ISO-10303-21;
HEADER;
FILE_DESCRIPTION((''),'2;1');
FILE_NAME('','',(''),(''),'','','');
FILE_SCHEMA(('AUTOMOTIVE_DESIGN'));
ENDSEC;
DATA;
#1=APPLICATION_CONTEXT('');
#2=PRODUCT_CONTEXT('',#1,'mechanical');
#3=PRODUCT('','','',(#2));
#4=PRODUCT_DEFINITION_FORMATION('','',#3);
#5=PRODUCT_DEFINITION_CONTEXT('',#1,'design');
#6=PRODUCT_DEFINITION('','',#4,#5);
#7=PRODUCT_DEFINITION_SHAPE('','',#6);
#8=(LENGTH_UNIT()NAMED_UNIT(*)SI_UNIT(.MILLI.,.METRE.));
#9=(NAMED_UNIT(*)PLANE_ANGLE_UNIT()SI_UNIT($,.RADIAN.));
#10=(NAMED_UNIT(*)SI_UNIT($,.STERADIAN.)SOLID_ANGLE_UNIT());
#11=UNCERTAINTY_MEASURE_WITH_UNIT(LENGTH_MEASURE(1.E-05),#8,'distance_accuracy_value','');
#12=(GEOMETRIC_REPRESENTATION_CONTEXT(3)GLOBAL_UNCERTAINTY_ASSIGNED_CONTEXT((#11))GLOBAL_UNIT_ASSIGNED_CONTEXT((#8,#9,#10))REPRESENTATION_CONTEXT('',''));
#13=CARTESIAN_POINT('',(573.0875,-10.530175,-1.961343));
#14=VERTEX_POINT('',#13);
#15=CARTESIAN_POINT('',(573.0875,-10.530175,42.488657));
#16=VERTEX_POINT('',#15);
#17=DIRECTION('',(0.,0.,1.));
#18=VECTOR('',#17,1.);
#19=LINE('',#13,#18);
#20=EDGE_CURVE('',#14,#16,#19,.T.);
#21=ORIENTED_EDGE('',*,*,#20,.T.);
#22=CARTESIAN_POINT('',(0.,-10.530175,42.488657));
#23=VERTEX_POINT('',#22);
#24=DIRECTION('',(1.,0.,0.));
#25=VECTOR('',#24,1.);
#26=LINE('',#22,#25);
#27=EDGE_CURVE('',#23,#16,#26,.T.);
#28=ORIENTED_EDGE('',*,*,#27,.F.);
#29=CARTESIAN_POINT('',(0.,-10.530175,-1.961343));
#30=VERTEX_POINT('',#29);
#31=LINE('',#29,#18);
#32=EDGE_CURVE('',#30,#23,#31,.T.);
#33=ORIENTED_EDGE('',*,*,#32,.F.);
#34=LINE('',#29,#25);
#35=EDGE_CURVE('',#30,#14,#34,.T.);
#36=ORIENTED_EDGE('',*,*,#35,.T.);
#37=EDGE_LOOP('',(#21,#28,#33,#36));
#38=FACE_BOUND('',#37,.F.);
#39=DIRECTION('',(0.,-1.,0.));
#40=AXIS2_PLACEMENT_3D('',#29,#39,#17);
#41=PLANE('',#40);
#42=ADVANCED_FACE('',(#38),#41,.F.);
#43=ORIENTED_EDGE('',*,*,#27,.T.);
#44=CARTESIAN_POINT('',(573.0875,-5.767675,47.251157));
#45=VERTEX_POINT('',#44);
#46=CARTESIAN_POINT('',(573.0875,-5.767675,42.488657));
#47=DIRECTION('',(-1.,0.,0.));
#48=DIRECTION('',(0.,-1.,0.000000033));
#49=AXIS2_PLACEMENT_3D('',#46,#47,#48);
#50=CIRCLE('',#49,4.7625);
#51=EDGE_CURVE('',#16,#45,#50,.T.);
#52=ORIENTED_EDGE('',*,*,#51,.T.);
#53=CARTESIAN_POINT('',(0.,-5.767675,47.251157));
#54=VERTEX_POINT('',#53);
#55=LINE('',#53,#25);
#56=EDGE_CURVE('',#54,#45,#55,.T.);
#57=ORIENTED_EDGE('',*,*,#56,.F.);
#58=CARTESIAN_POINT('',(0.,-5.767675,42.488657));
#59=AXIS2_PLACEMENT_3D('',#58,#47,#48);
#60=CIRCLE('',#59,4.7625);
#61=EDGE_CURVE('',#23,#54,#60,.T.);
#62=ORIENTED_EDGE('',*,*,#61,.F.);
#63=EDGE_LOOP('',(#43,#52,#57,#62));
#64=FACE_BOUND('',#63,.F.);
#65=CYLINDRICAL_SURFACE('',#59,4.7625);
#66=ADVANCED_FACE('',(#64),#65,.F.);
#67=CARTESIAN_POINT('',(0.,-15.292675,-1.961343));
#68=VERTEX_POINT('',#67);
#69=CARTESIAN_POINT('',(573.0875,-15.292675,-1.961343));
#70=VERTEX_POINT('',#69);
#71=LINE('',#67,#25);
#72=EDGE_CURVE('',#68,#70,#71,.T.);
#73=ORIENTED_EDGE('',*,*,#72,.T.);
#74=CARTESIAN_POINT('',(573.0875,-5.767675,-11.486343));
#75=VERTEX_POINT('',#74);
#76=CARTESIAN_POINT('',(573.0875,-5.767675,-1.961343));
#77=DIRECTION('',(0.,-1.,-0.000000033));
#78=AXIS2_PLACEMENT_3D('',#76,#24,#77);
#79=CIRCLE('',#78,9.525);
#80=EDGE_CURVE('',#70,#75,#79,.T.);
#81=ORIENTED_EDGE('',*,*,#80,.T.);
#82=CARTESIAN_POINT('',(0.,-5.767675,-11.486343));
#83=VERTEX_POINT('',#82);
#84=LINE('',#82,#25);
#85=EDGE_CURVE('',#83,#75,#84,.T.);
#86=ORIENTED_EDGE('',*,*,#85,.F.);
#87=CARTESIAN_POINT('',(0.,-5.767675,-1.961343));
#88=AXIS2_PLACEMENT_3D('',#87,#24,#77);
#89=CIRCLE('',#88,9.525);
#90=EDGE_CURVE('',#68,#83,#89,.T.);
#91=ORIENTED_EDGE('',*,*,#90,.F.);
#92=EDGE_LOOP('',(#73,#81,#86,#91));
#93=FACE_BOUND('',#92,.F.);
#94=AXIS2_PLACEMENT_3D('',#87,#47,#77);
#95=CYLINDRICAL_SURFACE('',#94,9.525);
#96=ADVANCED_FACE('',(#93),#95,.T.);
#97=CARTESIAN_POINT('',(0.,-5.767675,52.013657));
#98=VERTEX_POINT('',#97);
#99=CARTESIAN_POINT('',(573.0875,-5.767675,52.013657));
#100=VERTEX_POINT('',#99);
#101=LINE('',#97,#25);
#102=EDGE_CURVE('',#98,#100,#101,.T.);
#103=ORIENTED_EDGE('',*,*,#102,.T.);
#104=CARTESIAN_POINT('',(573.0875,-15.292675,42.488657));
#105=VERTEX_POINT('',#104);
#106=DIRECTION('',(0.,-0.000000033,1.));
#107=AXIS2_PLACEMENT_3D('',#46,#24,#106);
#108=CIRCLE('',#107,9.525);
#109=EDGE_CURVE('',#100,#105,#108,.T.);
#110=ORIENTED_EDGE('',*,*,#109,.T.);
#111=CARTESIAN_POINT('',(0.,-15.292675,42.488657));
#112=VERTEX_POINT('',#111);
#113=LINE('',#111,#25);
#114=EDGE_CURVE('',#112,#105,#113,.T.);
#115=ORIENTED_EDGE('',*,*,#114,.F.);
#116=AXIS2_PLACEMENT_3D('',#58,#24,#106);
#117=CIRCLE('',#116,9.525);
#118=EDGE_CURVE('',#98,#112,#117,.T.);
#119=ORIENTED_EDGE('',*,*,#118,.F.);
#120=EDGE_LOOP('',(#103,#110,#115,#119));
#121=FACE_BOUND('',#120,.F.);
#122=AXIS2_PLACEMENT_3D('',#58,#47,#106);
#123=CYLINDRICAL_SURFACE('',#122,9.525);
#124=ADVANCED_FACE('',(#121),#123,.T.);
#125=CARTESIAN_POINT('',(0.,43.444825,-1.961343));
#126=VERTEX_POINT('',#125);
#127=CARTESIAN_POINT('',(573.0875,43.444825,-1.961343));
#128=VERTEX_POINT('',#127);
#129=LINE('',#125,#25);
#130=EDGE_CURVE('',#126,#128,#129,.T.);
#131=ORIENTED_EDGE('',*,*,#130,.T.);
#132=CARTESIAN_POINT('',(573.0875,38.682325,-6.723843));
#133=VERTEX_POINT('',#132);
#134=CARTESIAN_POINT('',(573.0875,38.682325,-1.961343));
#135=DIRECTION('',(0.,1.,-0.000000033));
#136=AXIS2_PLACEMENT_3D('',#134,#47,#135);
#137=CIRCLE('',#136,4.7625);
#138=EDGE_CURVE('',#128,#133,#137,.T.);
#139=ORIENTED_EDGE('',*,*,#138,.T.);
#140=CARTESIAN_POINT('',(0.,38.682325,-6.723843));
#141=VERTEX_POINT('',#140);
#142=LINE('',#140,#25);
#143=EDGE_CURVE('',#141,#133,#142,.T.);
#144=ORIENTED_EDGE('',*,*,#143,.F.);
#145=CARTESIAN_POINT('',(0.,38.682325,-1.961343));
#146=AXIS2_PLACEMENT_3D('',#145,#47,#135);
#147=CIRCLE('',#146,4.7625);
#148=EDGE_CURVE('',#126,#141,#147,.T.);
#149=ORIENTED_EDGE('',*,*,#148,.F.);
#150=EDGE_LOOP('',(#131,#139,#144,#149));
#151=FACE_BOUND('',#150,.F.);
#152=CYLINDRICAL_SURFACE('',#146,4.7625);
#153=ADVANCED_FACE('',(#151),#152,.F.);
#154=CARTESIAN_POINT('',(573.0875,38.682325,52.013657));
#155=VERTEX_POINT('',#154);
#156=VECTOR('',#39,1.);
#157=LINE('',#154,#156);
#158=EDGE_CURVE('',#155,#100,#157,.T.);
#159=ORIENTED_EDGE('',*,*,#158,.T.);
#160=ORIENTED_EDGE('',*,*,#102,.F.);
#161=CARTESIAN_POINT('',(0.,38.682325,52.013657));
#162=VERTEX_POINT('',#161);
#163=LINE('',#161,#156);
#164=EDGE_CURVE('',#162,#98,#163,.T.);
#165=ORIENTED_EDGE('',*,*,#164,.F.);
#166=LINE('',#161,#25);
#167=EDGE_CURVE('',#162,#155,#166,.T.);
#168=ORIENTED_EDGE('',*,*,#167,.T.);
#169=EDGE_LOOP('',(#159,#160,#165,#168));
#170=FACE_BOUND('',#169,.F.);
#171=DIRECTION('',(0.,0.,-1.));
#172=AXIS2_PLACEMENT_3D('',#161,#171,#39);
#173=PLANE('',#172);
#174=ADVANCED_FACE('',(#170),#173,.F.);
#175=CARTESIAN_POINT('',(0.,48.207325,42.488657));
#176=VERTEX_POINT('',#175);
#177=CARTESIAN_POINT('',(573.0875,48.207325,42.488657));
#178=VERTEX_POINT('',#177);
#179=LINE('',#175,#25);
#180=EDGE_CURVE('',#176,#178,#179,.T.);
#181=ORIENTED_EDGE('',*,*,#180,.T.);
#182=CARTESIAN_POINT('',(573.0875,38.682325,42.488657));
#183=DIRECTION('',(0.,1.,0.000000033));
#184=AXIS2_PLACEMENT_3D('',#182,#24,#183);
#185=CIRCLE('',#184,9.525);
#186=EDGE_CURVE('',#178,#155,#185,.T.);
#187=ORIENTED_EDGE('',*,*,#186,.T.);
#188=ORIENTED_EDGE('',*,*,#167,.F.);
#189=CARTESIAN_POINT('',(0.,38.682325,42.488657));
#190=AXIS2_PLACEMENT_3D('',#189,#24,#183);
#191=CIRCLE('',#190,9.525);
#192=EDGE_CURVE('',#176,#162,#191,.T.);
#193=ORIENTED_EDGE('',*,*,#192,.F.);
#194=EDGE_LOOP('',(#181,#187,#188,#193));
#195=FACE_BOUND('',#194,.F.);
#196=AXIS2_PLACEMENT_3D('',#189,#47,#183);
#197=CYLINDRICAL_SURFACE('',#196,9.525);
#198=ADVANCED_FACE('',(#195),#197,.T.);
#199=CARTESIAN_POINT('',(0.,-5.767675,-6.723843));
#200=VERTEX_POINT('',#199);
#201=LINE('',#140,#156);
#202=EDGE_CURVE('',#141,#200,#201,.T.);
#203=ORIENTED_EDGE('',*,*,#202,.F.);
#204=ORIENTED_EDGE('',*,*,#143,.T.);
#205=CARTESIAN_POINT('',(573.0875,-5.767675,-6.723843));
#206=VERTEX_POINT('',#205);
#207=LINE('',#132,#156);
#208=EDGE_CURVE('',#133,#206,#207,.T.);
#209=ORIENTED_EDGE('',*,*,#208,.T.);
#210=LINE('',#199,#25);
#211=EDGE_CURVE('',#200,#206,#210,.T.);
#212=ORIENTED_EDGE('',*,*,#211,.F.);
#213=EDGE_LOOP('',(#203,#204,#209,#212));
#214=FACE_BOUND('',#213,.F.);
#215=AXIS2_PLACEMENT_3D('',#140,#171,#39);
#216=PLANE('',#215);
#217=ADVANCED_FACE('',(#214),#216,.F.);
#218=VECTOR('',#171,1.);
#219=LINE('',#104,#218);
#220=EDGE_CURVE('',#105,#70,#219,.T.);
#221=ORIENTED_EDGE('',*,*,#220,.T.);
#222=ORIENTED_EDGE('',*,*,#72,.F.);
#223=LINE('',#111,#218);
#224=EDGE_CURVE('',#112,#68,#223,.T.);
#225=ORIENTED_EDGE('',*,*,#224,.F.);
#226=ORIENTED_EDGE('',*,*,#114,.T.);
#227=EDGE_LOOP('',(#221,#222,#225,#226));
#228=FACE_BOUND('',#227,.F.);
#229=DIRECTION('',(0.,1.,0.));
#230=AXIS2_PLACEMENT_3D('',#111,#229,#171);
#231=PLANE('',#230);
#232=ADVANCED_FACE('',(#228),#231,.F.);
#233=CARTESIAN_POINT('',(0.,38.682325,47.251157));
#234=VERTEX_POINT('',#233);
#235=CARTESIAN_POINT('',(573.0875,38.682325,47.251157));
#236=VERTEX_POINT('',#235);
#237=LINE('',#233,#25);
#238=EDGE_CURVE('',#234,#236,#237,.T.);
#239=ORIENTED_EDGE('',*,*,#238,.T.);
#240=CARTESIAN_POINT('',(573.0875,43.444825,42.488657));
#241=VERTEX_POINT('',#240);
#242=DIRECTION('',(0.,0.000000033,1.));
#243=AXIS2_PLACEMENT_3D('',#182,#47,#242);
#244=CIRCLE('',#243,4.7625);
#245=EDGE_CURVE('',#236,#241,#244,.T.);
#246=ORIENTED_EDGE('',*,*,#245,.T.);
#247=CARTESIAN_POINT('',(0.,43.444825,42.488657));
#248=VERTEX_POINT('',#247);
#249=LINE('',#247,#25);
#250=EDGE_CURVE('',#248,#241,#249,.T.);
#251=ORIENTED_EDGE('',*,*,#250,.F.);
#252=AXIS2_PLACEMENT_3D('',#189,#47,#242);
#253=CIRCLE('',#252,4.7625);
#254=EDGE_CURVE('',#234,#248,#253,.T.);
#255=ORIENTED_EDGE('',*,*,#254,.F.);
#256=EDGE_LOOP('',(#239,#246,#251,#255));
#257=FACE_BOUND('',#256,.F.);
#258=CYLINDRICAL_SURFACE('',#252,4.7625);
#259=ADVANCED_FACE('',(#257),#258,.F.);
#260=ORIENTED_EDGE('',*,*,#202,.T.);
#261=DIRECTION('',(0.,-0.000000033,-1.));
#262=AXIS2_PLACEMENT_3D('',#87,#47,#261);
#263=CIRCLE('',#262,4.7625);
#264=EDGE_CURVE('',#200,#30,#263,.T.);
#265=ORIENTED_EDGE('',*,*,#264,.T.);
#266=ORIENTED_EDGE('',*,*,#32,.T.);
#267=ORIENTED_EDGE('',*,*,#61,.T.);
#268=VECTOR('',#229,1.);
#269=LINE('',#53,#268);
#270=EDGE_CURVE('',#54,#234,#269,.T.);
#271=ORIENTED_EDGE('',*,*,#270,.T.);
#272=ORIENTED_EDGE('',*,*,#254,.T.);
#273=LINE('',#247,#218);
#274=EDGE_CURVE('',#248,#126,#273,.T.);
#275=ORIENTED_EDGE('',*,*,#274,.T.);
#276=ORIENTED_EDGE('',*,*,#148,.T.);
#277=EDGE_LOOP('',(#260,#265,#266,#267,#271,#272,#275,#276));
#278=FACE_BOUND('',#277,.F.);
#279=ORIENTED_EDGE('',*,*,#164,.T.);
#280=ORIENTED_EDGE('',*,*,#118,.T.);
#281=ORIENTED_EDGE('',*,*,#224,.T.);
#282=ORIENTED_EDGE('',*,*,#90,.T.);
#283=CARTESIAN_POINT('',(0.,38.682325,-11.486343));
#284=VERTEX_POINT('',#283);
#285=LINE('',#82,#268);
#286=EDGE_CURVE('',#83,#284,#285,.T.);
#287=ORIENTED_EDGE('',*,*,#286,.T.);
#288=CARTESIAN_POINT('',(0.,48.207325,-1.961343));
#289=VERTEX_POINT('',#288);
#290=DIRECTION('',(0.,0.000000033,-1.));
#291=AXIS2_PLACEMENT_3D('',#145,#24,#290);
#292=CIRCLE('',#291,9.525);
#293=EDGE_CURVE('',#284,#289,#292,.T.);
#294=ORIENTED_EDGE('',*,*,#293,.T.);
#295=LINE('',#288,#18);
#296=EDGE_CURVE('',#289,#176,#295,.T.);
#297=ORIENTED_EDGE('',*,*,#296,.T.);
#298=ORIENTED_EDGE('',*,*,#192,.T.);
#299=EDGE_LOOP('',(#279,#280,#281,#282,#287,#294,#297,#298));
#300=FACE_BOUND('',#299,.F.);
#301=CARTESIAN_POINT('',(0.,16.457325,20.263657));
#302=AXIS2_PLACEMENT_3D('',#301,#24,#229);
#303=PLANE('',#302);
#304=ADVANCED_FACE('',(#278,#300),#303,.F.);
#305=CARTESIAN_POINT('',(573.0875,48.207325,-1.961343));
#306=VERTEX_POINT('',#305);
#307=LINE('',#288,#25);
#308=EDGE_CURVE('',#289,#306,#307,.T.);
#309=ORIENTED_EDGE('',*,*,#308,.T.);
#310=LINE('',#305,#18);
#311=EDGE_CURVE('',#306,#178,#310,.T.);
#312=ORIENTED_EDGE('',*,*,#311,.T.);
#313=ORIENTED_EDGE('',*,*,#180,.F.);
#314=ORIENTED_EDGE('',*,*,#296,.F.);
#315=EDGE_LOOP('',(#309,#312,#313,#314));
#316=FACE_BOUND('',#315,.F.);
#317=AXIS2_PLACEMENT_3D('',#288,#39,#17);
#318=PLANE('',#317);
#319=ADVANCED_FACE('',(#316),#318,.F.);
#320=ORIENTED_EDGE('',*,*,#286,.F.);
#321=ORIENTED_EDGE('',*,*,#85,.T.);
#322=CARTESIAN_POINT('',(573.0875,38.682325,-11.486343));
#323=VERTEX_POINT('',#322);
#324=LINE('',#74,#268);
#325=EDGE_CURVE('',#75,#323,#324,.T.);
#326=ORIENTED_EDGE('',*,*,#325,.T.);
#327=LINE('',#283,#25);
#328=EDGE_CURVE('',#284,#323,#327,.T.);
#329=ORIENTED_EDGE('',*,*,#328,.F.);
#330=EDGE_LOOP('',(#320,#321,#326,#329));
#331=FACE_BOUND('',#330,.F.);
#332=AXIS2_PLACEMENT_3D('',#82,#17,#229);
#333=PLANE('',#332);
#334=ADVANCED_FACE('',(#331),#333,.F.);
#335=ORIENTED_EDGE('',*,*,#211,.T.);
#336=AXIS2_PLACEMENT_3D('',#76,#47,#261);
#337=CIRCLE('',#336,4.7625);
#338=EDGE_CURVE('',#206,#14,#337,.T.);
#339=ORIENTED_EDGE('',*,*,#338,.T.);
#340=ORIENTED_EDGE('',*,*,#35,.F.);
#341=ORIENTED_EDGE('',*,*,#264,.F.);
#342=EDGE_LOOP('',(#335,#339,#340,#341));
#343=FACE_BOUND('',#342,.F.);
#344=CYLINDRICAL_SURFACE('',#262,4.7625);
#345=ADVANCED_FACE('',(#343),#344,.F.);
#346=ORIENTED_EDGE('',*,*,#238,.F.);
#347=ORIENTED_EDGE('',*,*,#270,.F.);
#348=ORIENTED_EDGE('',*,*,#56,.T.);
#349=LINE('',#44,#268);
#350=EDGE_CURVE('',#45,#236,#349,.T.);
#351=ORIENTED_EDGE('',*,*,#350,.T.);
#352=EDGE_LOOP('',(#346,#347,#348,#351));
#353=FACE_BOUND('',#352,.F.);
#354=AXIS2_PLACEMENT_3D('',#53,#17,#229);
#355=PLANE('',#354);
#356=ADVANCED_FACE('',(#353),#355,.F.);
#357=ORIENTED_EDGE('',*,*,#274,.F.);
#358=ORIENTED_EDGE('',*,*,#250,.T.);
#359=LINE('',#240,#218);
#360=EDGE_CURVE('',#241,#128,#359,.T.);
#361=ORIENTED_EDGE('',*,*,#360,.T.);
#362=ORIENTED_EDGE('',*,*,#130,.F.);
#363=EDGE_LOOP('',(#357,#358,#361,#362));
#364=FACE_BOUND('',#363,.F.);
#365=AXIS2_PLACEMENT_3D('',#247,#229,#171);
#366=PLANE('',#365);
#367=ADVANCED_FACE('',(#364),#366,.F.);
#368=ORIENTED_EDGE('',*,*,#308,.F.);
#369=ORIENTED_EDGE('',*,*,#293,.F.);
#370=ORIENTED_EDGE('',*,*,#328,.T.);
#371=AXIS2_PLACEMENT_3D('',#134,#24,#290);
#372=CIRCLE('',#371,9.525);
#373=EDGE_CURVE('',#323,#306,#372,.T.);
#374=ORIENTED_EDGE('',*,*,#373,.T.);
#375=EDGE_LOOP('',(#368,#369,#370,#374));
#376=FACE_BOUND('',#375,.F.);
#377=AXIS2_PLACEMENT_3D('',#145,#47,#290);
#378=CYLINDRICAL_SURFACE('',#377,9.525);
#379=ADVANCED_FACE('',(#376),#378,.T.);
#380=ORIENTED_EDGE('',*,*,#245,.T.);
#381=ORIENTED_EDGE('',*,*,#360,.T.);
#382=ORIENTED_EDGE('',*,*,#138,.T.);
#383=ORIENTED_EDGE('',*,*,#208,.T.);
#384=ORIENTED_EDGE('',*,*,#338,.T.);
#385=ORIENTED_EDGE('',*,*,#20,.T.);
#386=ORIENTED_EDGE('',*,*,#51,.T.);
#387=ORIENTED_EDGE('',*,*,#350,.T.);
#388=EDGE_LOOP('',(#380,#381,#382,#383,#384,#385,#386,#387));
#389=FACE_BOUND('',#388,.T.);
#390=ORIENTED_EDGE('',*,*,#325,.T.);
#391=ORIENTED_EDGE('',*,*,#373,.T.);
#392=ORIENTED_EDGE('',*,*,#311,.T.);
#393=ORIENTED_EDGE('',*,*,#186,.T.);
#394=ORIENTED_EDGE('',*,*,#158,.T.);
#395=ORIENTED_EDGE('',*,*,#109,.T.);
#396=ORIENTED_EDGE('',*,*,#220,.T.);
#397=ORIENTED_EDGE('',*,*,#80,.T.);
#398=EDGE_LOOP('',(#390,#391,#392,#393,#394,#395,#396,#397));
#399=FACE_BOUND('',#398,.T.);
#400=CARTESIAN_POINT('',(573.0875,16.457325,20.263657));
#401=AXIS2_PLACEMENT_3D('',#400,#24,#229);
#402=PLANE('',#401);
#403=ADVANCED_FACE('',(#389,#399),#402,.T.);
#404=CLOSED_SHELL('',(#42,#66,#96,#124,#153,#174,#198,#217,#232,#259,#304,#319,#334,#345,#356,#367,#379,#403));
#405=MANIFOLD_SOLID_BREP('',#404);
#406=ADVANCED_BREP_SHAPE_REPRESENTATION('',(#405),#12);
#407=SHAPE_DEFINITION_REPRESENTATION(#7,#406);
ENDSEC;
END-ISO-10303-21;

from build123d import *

# Parameters (mm, degrees)
F1_DEPTH = 573.0875


with BuildPart() as f1:
    # F0 (on Right) → F1 (new body)
    with BuildSketch(Plane.YZ):
        with BuildLine():
            ThreePointArc((38.682325, -11.486343), (45.417517, -8.696535), (48.207325, -1.961343))
            Line((48.207325, -1.961343), (48.207325, 42.488657))
            ThreePointArc((48.207325, 42.488657), (45.417517, 49.223849), (38.682325, 52.013657))
            Line((38.682325, 52.013657), (-5.767675, 52.013657))
            ThreePointArc((-5.767675, 52.013657), (-12.502867, 49.223849), (-15.292675, 42.488657))
            Line((-15.292675, 42.488657), (-15.292675, -1.961343))
            ThreePointArc((-15.292675, -1.961343), (-12.502867, -8.696535), (-5.767675, -11.486343))
            Line((-5.767675, -11.486343), (38.682325, -11.486343))
        make_face()
        with BuildLine():
            ThreePointArc((-10.530175, 42.488657), (-9.135271, 45.856253), (-5.767675, 47.251157))
            Line((-5.767675, 47.251157), (38.682325, 47.251157))
            ThreePointArc((38.682325, 47.251157), (42.049921, 45.856253), (43.444825, 42.488657))
            Line((43.444825, 42.488657), (43.444825, -1.961343))
            ThreePointArc((43.444825, -1.961343), (42.049921, -5.328939), (38.682325, -6.723843))
            Line((38.682325, -6.723843), (-5.767675, -6.723843))
            ThreePointArc((-5.767675, -6.723843), (-9.135271, -5.328939), (-10.530175, -1.961343))
            Line((-10.530175, -1.961343), (-10.530175, 42.488657))
        make_face(mode=Mode.SUBTRACT)
    extrude(amount=F1_DEPTH)


solid = f1.part
